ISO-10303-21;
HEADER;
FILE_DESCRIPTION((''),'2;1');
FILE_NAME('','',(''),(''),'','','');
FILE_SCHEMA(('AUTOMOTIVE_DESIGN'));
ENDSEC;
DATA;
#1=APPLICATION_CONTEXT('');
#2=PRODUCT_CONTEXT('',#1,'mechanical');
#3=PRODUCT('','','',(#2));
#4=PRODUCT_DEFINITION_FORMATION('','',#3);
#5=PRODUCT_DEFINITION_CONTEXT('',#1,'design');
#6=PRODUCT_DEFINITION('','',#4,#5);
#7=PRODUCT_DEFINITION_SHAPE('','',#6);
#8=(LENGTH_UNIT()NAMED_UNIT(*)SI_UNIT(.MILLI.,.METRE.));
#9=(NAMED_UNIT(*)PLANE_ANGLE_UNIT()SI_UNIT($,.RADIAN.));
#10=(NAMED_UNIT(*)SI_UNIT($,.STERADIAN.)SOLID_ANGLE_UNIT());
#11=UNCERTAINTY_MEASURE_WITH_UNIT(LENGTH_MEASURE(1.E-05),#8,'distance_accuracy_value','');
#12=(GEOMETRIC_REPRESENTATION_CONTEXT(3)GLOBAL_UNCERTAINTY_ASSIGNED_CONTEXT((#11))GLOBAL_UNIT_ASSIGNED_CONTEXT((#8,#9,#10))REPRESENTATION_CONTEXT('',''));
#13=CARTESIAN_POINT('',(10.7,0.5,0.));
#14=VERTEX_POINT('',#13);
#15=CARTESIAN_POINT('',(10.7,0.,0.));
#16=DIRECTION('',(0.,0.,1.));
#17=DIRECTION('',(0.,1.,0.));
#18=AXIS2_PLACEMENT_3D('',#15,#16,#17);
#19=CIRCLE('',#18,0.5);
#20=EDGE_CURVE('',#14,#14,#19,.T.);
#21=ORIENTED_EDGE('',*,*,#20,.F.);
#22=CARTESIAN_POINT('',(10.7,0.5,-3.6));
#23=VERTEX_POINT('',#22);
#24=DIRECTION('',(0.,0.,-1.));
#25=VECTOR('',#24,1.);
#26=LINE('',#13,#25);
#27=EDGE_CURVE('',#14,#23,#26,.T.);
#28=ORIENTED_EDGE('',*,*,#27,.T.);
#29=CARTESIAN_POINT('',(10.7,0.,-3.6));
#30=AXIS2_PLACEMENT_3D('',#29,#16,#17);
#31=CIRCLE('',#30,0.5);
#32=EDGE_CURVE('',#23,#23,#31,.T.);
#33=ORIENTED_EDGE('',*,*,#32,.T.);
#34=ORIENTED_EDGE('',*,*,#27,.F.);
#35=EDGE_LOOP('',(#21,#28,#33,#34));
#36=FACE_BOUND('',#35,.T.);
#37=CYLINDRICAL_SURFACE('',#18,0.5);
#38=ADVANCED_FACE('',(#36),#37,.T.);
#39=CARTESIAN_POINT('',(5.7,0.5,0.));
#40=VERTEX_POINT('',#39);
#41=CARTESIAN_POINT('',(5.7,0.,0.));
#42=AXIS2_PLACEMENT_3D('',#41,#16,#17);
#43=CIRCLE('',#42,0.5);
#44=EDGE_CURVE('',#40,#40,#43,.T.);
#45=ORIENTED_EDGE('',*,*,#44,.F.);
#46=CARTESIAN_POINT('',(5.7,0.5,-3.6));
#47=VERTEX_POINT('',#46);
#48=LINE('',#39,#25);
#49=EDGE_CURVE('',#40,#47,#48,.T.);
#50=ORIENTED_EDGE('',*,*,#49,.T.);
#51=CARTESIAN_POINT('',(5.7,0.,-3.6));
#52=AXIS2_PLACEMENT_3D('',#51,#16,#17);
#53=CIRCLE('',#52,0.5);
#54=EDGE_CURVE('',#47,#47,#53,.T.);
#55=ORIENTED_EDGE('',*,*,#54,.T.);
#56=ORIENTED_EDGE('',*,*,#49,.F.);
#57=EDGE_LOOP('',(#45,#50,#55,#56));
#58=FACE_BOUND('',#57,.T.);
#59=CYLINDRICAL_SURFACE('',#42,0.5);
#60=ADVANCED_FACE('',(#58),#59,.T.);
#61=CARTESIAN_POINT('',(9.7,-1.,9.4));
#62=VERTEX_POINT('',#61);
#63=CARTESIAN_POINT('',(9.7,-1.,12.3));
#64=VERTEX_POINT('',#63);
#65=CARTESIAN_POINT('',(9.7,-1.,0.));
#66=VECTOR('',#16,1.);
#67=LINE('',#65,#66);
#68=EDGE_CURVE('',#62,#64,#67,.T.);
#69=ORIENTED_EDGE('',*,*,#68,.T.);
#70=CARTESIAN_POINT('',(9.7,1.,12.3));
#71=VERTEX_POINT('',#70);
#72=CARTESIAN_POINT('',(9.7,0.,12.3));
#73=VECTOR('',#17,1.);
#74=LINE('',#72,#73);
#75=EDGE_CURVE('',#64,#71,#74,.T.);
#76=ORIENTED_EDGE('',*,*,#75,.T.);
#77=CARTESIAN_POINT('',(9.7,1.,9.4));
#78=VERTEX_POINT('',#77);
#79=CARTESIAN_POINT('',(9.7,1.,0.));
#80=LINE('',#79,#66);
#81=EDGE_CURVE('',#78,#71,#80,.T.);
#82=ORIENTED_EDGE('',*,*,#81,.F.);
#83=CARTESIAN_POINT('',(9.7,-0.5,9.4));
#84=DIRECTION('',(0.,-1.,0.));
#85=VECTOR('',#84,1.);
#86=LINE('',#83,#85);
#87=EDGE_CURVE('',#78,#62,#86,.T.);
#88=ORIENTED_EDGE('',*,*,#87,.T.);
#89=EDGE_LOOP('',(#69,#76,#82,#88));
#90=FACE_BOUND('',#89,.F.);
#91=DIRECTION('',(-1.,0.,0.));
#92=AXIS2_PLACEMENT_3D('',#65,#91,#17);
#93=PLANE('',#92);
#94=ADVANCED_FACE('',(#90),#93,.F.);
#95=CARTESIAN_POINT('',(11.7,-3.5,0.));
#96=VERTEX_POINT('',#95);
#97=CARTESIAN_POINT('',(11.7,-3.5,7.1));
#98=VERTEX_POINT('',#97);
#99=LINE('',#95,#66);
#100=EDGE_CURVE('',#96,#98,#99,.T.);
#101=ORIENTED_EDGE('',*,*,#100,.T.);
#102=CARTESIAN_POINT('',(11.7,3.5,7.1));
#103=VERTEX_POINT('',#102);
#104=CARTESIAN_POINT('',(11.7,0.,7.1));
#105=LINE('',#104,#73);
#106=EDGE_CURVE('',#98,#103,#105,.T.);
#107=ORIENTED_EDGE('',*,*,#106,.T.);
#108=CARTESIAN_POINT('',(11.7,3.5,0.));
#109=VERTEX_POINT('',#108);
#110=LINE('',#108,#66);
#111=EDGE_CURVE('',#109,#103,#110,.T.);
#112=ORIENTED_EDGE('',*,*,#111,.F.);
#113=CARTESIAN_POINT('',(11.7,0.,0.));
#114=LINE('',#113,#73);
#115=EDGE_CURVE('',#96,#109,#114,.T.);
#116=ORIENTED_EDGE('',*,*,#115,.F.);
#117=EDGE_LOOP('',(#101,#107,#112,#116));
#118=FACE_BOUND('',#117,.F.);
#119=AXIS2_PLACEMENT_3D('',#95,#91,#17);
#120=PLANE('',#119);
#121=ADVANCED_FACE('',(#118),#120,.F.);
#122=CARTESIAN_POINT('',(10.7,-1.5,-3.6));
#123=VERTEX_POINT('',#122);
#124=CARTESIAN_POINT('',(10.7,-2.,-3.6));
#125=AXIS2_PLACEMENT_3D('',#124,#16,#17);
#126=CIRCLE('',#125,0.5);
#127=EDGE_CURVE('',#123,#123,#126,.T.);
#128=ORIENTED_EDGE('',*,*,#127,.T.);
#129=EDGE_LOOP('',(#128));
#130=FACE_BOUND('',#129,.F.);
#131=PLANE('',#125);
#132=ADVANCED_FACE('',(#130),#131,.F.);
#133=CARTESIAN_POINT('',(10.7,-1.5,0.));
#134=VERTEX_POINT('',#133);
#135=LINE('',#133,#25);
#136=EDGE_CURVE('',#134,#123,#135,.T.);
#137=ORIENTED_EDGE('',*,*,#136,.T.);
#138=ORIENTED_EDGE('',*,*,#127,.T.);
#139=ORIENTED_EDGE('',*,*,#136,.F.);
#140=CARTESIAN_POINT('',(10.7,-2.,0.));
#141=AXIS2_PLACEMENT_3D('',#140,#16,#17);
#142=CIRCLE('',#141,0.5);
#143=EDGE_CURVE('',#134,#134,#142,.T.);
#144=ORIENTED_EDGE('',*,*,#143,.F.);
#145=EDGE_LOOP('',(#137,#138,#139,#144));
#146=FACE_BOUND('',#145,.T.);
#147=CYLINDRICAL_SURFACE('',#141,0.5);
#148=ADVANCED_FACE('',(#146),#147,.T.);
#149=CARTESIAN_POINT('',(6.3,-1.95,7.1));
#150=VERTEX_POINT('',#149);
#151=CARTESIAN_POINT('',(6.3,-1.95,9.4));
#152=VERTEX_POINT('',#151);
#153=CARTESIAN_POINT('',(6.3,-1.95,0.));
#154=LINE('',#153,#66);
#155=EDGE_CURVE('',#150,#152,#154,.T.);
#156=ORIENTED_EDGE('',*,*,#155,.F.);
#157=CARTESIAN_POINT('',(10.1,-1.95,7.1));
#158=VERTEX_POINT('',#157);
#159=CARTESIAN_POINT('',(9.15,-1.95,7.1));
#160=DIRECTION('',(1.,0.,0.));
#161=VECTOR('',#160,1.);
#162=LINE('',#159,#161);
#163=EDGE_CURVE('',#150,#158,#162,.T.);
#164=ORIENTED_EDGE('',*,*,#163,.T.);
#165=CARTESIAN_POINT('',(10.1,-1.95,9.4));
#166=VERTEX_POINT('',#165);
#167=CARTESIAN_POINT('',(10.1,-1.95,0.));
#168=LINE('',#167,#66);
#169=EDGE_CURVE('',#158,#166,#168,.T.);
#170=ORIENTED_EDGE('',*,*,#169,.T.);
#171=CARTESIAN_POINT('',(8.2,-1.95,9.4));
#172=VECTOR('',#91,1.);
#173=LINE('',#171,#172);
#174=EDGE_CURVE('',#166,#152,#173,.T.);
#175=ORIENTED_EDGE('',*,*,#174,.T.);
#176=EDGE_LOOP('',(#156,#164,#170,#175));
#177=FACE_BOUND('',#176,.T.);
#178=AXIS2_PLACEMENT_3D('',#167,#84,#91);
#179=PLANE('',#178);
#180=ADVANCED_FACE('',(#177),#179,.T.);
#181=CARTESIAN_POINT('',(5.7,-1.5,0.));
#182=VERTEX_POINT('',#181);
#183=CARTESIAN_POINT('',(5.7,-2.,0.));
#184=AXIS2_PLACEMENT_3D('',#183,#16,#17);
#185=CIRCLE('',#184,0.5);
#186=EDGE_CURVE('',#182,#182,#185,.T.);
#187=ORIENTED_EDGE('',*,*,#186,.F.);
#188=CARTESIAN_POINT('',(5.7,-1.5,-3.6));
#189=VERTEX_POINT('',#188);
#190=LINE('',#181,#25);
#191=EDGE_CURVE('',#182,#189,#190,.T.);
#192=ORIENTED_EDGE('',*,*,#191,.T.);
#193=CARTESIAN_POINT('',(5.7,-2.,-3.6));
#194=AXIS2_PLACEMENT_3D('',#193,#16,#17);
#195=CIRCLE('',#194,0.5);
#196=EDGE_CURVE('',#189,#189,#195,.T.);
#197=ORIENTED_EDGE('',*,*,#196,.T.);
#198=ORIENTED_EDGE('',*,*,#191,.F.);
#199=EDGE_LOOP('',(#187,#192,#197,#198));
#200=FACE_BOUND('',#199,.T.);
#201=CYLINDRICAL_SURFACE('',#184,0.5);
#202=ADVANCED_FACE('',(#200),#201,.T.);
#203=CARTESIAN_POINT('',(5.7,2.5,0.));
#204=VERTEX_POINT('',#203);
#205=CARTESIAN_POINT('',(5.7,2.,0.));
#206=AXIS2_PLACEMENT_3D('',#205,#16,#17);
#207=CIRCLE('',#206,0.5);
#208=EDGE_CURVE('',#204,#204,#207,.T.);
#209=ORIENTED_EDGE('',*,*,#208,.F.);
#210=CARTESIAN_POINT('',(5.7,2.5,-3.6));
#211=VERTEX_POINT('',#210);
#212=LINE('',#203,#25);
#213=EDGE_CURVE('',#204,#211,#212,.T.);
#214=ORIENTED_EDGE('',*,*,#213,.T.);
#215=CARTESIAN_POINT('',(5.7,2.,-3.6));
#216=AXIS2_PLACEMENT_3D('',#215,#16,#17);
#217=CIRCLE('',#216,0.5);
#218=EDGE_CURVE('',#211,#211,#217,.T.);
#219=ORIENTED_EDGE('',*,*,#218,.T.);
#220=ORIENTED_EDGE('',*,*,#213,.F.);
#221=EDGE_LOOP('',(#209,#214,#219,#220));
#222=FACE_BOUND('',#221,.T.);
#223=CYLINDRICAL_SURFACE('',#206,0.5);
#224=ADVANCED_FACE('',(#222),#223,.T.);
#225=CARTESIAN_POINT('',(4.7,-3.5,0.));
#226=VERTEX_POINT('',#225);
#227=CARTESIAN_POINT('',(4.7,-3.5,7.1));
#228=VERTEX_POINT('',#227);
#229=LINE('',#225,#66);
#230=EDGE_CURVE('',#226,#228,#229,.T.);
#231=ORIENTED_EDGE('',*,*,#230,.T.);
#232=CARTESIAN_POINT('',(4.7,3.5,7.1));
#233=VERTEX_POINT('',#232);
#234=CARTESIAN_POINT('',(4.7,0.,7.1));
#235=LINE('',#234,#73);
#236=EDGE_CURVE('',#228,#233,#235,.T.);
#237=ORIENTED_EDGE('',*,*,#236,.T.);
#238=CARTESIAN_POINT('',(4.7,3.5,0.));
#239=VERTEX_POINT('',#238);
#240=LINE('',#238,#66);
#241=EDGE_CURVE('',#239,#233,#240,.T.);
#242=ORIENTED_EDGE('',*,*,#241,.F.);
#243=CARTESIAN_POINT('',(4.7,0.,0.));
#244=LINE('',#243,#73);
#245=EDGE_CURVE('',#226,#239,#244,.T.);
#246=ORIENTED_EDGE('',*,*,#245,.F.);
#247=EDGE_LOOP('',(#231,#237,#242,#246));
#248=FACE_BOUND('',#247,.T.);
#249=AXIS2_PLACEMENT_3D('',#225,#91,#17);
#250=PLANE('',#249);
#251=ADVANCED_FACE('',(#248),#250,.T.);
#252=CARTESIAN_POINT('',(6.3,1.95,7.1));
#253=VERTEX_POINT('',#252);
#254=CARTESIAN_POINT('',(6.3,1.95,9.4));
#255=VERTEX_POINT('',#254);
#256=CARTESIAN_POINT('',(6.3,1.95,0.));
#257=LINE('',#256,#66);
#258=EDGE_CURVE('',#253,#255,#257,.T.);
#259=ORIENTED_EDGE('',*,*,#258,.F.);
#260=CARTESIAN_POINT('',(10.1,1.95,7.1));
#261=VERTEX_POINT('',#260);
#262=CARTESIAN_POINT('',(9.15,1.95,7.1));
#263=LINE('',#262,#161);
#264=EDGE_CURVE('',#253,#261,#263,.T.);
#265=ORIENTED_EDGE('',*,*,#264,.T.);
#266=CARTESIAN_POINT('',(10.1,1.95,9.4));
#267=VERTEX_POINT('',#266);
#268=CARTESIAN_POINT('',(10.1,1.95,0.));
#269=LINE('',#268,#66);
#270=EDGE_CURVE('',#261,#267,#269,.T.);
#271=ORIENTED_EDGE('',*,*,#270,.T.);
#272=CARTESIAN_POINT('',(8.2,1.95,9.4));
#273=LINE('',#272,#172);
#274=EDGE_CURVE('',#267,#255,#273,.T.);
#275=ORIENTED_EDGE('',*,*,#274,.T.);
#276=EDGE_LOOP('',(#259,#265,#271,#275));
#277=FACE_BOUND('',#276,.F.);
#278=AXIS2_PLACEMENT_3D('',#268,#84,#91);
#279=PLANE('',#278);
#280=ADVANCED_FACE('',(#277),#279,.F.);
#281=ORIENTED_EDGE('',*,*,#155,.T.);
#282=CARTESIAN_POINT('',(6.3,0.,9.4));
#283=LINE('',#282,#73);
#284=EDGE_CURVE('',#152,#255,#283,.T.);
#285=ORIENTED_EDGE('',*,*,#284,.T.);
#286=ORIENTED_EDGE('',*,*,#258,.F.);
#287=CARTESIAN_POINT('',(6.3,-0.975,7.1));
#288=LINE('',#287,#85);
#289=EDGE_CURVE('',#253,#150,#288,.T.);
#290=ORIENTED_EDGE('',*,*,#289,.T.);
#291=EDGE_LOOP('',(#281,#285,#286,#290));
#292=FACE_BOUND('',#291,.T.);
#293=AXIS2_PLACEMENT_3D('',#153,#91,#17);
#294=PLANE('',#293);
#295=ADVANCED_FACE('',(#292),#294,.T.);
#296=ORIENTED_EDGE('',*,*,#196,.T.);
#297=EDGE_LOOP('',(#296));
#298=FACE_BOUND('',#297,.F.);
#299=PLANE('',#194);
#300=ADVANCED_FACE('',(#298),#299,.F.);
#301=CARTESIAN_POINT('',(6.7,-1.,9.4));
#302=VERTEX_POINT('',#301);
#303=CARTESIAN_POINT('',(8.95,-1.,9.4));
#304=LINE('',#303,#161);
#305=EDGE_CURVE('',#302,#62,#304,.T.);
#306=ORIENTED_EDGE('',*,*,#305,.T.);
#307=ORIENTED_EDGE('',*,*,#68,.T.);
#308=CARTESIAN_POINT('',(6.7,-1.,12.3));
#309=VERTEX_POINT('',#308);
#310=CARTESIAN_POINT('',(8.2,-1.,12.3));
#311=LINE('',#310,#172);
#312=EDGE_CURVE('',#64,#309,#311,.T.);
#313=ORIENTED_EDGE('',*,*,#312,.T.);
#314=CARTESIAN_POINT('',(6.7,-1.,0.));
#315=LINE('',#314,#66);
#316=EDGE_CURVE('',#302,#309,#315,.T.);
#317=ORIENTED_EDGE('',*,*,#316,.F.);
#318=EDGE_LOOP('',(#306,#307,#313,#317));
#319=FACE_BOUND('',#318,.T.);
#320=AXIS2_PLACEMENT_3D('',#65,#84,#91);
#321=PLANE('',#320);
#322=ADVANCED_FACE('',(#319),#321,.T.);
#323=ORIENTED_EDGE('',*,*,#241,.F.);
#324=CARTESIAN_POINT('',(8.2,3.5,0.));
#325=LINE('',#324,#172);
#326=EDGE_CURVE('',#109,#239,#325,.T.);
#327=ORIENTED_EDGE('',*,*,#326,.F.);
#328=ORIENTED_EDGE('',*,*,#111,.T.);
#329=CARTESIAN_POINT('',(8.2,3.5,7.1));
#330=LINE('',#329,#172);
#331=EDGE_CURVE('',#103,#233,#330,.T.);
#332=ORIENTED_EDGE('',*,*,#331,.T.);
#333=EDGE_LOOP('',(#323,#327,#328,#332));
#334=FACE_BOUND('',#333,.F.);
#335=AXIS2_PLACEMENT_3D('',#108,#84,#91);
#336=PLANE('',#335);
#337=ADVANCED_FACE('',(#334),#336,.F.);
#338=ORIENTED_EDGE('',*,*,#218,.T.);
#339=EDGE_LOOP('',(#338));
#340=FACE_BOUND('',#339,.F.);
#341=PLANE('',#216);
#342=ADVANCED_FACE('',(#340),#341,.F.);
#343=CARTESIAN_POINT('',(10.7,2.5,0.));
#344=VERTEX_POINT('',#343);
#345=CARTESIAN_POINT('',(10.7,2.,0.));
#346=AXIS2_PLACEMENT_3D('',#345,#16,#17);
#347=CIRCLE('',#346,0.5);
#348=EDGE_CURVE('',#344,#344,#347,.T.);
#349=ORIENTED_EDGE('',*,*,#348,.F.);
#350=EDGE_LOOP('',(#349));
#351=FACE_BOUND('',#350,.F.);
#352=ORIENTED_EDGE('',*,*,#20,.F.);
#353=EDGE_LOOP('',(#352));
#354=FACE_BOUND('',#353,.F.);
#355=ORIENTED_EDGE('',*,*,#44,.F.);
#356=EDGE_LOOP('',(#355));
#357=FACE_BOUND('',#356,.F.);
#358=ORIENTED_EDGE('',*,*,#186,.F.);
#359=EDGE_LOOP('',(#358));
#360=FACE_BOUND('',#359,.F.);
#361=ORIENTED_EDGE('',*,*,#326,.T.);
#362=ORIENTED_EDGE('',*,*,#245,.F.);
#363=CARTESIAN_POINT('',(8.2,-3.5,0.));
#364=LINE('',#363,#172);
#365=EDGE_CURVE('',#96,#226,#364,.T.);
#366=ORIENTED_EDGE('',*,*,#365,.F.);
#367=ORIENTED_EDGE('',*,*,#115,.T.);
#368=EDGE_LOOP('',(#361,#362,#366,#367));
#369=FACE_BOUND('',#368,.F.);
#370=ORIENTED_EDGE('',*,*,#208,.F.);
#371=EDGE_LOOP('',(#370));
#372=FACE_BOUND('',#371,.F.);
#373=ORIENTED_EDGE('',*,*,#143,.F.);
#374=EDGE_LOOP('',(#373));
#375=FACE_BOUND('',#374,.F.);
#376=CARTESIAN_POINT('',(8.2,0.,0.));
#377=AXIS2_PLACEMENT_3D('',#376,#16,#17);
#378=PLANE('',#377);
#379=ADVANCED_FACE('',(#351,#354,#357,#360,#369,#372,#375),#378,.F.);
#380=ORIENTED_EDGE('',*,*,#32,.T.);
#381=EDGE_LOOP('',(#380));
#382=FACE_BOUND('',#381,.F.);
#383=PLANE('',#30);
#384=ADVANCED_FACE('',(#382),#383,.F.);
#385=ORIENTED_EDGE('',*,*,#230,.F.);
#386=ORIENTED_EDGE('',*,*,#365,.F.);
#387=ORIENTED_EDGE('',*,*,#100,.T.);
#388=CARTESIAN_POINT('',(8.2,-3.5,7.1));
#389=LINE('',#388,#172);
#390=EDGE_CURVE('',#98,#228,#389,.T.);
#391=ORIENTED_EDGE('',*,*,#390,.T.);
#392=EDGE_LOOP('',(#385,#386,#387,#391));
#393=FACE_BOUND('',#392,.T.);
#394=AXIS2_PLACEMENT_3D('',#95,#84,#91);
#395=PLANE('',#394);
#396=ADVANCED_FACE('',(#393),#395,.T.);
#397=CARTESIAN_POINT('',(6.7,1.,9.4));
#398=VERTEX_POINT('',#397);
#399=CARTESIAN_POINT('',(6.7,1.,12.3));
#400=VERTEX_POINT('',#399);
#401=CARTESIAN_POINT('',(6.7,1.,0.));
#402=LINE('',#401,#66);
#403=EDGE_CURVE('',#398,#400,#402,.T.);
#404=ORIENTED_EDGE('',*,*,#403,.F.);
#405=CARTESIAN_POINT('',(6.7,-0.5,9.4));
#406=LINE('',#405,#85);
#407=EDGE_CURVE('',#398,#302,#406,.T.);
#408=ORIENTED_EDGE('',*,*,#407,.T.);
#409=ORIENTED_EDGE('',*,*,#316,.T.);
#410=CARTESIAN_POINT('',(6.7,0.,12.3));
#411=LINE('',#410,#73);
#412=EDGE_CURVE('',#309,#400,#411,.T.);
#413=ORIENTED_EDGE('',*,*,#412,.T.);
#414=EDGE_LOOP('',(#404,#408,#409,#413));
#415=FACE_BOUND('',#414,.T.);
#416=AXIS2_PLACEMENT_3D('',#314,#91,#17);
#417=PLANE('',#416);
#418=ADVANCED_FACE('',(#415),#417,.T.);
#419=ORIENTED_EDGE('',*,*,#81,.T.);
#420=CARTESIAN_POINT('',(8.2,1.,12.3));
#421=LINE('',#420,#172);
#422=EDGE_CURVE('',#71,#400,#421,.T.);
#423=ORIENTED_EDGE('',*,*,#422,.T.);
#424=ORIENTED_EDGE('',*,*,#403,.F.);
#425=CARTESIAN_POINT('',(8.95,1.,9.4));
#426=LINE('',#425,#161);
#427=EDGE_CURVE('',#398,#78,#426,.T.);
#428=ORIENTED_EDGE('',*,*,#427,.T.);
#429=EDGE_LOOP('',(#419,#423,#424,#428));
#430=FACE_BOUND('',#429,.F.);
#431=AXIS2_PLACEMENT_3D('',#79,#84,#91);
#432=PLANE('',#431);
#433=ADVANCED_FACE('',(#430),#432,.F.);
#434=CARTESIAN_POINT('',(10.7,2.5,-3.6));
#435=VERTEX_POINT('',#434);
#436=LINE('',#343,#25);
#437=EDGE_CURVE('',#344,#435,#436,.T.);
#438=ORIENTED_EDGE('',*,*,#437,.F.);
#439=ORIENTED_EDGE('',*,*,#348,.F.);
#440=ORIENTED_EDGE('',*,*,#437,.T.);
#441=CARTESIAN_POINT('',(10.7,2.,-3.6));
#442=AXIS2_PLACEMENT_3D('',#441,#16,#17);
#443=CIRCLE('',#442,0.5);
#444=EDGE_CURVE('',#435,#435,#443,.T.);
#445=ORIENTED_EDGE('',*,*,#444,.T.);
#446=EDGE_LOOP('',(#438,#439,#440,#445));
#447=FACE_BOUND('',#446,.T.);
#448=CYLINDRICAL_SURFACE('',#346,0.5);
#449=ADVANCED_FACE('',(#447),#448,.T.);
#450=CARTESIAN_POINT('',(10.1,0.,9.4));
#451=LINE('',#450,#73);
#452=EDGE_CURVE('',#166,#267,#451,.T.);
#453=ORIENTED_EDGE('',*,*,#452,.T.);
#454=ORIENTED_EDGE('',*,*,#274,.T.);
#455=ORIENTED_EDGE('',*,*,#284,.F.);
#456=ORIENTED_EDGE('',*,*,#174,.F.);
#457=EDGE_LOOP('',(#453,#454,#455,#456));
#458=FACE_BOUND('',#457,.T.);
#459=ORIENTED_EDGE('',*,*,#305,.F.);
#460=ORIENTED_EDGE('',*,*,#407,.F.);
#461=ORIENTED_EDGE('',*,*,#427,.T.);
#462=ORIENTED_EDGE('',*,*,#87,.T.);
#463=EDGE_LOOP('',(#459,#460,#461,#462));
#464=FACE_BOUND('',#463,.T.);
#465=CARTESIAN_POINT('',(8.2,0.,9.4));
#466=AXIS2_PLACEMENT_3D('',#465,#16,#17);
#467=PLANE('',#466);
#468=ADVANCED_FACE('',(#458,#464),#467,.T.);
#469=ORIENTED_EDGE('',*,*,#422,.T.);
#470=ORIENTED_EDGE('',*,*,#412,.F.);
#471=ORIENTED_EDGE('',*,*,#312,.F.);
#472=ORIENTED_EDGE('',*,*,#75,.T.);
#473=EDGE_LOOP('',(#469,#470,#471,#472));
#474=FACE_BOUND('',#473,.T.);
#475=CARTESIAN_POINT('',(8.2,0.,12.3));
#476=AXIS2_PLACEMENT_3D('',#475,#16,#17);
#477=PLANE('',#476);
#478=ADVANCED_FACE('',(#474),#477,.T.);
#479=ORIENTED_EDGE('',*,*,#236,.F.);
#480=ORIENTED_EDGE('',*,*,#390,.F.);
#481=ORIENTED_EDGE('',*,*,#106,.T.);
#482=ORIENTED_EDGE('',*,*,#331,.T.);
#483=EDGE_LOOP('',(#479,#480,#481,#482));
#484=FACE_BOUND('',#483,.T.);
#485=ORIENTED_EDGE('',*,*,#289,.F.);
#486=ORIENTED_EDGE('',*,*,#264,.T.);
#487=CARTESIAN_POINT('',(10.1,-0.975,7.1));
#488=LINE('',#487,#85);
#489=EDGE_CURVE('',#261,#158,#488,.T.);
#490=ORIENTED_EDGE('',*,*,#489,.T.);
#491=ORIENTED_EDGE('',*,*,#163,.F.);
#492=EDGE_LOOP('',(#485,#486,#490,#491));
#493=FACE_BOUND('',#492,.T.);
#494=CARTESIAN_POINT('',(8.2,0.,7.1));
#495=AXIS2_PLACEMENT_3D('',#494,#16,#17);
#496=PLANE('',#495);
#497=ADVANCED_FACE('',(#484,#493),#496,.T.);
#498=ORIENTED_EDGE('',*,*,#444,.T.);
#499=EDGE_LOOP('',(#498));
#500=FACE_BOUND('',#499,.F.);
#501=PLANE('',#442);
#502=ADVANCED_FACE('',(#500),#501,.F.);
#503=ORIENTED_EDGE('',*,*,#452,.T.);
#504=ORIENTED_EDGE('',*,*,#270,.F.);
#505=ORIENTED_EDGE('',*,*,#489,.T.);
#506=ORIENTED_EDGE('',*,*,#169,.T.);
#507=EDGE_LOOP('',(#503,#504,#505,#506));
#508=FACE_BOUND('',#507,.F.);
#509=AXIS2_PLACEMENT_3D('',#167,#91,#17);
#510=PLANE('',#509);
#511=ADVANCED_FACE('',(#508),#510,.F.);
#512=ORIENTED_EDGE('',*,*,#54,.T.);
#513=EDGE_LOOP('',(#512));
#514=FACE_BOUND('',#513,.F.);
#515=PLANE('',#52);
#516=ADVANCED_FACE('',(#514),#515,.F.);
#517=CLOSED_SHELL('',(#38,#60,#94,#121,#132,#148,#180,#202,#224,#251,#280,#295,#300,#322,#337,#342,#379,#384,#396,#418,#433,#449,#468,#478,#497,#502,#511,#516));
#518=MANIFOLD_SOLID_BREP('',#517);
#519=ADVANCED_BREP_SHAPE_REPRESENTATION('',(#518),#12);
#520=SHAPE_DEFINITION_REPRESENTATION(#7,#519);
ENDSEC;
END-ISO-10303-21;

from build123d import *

# Parameters (mm, degrees)
SKETCH069_W             = 7
SKETCH069_H             = 7
PAD039_DEPTH            = 7.1
SKETCH070_R             = 0.5
PAD040_DEPTH            = 3.6
SKETCH071_W             = 3.9
SKETCH071_H             = 3.8
PAD041_DEPTH            = 9.4
SKETCH072_W             = 2
SKETCH072_H             = 3
PAD042_DEPTH            = 12.3
BODY052_PLACEMENT_ANGLE = 90


with BuildPart() as part:
    # Sketch069 → Pad039 (new body)
    with BuildSketch(Plane.XY):
        Rectangle(SKETCH069_W, SKETCH069_H)
    extrude(amount=PAD039_DEPTH)

    # Sketch070 → Pad040 (join)
    with BuildSketch(Plane.XY):
        with Locations((0, 2.5)):
            Circle(SKETCH070_R)
        with Locations((0, -2.5)):
            Circle(SKETCH070_R)
        with Locations((2, 2.5)):
            Circle(SKETCH070_R)
        with Locations((-2, 2.5)):
            Circle(SKETCH070_R)
        with Locations((-2, -2.5)):
            Circle(SKETCH070_R)
        with Locations((2, -2.5)):
            Circle(SKETCH070_R)
    extrude(amount=-PAD040_DEPTH)

    # Sketch071 → Pad041 (join)
    with BuildSketch(Plane.XY):
        Rectangle(SKETCH071_W, SKETCH071_H)
    extrude(amount=PAD041_DEPTH)

    # Sketch072 → Pad042 (join)
    with BuildSketch(Plane.XY):
        Rectangle(SKETCH072_W, SKETCH072_H)
    extrude(amount=PAD042_DEPTH)


with BuildPart() as part_1:
    # Body052 placement: moved
    add(part.part.moved(Location((-8.2, 0, 0))).rotate(Axis((-8.2, 0, 0), (0, 0, 1)), BODY052_PLACEMENT_ANGLE))


with BuildPart() as part_2:
    # Clone002 placement: moved
    add(part_1.part.moved(Location((3.2, 0, 0))))


with BuildPart() as part_3:
    # Body053 placement: moved
    add(part_2.part.moved(Location((13.2, 0, 0))))


solid = part_3.part
